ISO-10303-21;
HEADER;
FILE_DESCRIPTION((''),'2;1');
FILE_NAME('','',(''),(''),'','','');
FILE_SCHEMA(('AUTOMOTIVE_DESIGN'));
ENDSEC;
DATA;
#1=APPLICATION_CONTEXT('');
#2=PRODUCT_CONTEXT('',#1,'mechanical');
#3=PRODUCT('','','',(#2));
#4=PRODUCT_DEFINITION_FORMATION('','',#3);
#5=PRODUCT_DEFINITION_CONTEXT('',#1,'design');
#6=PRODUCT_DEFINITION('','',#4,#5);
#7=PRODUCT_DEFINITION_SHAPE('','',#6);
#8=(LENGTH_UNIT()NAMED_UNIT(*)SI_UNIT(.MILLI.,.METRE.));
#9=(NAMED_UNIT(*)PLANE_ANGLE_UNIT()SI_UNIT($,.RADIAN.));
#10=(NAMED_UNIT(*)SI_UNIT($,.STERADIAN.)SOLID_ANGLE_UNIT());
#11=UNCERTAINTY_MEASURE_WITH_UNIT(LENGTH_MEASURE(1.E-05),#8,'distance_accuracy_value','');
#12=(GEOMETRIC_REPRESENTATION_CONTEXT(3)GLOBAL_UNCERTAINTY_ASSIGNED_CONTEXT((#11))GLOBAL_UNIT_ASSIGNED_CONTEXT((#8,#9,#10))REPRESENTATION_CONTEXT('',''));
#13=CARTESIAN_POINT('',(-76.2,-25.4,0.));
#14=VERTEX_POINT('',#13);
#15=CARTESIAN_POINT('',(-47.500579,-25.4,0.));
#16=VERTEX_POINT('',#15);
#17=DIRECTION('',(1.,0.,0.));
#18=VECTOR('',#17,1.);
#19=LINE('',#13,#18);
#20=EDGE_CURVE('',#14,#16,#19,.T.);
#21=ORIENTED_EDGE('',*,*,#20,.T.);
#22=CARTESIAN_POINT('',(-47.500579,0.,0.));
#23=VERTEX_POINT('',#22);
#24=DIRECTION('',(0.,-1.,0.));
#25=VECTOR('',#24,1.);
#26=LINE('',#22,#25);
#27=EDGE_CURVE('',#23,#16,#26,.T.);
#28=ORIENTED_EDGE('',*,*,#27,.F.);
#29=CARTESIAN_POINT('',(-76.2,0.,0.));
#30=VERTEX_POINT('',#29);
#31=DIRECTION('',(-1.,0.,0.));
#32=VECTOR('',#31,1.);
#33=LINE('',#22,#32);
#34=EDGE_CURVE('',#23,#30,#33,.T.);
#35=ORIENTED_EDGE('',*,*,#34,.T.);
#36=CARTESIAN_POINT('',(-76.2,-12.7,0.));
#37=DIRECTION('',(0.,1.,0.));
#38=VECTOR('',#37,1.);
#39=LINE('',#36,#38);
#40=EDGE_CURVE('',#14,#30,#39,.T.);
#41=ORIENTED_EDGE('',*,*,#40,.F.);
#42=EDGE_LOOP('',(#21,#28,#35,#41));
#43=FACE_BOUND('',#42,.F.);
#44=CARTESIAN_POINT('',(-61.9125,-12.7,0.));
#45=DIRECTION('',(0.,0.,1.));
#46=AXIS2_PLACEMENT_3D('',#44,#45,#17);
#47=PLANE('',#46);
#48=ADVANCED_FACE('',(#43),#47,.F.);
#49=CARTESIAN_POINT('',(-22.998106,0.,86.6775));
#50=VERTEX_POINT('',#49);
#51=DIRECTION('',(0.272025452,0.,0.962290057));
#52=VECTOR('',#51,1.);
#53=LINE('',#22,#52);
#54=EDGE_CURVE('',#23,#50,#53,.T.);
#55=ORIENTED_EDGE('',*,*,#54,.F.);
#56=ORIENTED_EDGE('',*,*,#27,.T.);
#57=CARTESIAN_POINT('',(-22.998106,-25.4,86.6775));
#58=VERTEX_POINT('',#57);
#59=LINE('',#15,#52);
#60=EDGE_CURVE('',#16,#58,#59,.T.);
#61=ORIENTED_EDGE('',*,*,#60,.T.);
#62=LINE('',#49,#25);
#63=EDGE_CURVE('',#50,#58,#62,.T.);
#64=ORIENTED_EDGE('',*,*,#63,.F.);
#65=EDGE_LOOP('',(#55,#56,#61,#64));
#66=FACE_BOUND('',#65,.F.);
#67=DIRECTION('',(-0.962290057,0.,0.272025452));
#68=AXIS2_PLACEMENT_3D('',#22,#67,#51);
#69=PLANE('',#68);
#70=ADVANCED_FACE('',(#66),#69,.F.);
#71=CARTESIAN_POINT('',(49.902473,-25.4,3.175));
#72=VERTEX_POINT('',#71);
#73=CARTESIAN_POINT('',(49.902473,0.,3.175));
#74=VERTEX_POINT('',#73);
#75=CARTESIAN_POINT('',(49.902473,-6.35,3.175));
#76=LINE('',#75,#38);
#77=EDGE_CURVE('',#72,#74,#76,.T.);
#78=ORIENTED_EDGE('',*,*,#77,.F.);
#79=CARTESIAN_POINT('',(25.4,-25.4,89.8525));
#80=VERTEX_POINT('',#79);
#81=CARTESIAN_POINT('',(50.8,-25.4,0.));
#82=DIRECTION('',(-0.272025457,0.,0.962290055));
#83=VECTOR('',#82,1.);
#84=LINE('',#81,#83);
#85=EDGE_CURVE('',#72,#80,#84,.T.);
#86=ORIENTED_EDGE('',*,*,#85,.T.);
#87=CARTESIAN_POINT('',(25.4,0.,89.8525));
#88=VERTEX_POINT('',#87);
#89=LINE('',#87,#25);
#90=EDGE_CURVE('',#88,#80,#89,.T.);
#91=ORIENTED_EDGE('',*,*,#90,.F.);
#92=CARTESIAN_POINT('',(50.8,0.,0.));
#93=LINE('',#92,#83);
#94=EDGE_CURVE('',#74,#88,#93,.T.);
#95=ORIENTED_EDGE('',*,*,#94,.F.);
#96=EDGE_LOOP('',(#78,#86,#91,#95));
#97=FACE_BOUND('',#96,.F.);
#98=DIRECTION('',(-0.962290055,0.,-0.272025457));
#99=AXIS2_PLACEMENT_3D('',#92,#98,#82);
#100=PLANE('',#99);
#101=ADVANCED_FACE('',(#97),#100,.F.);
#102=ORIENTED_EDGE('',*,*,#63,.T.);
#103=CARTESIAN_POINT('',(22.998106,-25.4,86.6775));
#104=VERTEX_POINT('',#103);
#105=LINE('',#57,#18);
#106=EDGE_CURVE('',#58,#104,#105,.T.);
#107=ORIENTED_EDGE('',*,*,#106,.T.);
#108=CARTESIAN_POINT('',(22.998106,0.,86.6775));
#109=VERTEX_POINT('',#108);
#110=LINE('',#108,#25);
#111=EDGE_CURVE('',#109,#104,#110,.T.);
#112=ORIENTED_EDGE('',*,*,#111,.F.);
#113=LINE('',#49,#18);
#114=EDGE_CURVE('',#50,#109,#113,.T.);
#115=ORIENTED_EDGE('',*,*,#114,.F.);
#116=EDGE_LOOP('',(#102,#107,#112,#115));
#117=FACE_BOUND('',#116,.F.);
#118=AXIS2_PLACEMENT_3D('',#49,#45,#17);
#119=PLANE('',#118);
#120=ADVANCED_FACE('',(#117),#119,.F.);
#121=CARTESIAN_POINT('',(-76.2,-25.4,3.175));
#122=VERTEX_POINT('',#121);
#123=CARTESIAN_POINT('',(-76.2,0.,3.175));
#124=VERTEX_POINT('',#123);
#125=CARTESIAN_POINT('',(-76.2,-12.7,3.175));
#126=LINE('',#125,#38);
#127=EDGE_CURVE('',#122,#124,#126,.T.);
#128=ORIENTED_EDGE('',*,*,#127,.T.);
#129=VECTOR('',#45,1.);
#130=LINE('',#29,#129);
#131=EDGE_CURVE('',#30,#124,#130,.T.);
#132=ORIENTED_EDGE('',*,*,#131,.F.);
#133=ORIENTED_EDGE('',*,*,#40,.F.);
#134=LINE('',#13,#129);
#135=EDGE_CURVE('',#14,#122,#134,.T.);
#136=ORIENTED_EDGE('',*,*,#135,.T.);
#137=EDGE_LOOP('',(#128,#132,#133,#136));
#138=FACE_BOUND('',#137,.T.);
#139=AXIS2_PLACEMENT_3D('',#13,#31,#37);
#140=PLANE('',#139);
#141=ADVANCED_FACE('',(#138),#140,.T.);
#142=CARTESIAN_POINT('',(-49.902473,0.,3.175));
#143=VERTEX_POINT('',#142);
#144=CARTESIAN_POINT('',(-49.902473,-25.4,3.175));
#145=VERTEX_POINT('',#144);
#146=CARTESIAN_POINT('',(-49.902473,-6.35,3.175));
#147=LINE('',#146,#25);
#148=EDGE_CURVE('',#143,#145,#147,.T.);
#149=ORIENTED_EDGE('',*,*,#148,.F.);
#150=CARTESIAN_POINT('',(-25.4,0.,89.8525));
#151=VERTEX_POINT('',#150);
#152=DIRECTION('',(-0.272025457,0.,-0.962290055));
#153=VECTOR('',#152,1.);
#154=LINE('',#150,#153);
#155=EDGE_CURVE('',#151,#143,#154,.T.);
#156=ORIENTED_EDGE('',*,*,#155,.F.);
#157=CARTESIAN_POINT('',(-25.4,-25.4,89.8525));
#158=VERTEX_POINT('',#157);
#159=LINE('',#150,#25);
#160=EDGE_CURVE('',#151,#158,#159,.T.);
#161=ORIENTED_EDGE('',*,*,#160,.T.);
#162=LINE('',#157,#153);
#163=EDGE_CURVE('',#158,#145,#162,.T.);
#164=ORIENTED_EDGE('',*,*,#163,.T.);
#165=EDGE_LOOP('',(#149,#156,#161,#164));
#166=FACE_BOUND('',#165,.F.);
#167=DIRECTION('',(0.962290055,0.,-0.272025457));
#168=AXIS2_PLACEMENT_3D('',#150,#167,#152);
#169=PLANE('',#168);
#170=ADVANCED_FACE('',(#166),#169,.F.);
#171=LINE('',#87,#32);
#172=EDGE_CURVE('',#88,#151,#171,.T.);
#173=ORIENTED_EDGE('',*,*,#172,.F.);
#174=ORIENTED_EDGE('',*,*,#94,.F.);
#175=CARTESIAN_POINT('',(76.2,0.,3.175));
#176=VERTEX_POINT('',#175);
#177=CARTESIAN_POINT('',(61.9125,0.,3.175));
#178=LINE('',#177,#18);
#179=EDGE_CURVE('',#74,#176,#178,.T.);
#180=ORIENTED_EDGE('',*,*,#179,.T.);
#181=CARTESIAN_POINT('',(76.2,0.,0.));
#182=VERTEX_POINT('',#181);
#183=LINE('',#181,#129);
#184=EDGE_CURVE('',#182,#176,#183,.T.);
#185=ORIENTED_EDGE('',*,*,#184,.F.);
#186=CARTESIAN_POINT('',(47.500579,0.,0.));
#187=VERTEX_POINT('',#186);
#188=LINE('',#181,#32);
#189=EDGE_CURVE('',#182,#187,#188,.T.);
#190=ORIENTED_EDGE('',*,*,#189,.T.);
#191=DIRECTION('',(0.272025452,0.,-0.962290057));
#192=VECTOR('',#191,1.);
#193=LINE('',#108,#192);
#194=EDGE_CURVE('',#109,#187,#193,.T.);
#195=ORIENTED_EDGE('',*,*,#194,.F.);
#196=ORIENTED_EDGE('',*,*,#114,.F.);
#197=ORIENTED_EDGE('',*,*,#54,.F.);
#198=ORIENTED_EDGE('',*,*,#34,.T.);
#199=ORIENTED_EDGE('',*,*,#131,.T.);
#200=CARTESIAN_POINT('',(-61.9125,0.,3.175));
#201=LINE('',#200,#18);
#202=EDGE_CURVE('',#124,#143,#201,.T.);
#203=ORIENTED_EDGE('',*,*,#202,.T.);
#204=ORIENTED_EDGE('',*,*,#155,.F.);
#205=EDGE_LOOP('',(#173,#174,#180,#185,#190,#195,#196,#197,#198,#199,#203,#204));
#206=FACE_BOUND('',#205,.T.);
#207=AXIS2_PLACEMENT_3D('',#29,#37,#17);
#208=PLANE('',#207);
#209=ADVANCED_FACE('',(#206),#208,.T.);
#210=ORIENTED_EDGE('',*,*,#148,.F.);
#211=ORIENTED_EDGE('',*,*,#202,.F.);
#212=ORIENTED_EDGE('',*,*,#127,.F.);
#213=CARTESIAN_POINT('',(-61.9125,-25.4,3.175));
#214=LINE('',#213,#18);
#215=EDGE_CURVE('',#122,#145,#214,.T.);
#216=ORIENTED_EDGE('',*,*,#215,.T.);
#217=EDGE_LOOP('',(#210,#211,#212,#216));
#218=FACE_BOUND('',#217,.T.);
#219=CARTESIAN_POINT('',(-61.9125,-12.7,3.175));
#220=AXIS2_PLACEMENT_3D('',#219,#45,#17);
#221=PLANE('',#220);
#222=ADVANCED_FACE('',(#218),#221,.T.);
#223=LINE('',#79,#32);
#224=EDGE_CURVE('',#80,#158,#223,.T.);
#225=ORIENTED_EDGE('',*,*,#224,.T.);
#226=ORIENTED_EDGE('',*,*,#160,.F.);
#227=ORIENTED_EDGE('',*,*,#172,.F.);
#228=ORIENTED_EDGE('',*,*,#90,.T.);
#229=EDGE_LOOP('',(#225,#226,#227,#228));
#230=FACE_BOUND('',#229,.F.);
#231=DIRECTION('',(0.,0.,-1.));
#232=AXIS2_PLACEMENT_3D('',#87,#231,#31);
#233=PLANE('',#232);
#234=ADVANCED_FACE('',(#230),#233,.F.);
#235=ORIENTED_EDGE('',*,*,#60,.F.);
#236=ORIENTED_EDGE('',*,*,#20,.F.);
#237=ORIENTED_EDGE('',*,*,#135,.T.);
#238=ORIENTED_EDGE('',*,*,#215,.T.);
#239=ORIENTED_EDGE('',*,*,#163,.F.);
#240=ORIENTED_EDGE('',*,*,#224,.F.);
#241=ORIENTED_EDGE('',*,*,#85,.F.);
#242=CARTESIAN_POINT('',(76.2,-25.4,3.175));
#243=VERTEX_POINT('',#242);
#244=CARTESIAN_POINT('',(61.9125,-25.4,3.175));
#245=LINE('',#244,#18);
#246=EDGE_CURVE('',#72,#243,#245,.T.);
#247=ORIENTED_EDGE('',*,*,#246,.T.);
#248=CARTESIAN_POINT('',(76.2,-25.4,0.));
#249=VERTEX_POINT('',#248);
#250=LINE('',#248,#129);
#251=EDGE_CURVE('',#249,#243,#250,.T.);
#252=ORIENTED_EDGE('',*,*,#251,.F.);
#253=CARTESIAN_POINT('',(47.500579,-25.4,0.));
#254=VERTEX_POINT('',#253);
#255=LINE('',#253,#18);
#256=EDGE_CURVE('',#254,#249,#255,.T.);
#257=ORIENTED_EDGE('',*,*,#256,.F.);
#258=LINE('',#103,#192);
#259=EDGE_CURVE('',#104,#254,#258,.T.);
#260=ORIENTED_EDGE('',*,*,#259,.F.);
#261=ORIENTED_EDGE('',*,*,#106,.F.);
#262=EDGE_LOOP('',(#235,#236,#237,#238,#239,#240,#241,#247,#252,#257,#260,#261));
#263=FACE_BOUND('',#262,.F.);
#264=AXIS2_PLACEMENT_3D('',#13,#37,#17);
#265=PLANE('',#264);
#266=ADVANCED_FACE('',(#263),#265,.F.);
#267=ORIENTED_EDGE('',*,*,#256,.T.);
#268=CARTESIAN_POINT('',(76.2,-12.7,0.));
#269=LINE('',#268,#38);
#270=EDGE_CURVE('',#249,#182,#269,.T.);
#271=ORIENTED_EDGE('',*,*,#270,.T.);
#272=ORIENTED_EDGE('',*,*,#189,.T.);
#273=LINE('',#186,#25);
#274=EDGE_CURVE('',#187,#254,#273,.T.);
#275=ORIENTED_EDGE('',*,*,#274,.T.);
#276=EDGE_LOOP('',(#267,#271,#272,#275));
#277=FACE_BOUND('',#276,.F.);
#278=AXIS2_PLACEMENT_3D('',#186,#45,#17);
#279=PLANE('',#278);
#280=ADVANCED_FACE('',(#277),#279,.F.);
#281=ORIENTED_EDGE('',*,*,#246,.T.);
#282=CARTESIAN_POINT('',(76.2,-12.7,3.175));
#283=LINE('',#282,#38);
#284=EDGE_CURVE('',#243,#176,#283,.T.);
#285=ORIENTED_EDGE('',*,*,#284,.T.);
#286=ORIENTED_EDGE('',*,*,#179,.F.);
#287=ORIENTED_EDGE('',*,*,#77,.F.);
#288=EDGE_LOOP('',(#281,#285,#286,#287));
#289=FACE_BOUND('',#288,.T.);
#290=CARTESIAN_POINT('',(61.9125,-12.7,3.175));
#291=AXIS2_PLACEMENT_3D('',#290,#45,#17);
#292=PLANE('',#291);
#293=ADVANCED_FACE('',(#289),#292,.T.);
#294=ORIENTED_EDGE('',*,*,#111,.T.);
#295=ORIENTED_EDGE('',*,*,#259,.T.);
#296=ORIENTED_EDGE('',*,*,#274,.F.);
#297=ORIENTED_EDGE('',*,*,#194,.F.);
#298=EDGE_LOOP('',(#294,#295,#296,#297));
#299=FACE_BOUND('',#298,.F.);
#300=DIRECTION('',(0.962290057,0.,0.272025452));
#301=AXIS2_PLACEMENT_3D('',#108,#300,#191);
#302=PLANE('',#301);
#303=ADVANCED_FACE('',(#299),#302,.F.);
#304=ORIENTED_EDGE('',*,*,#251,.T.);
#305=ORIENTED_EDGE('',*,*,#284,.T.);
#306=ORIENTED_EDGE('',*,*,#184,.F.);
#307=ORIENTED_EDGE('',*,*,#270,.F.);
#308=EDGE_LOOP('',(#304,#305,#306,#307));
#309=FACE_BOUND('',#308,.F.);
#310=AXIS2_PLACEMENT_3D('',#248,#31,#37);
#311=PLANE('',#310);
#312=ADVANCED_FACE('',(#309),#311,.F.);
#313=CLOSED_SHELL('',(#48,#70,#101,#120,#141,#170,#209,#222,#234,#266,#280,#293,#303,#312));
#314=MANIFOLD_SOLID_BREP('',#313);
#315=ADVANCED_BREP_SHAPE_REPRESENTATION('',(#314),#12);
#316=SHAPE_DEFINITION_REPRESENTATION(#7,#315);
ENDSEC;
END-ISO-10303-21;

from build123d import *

# Parameters (mm, degrees)
F1_DEPTH = 25.4
F2_W     = 28.575
F2_H     = 25.4
F3_DEPTH = 3.175


with BuildPart() as f1:
    # F0 (on Front) → F1 (new body)
    with BuildSketch(Plane.XZ):
        Polygon((-22.998106, 86.6775), (0, 86.6775), (0, 89.8525), (-25.4, 89.8525), (-50.8, 0), (-47.500579, 0), align=None)
        Polygon((22.998106, 86.6775), (47.500579, 0), (50.8, 0), (25.4, 89.8525), (0, 89.8525), (0, 86.6775), align=None)
    extrude(amount=F1_DEPTH)

    # F2 (on Top) → F3 (join)
    with BuildSketch(Plane.XY):
        with Locations((-61.9125, -12.7)):
            Rectangle(F2_W, F2_H)
        with Locations((61.9125, -12.7)):
            Rectangle(F2_W, F2_H)
    extrude(amount=F3_DEPTH)


solid = f1.part
